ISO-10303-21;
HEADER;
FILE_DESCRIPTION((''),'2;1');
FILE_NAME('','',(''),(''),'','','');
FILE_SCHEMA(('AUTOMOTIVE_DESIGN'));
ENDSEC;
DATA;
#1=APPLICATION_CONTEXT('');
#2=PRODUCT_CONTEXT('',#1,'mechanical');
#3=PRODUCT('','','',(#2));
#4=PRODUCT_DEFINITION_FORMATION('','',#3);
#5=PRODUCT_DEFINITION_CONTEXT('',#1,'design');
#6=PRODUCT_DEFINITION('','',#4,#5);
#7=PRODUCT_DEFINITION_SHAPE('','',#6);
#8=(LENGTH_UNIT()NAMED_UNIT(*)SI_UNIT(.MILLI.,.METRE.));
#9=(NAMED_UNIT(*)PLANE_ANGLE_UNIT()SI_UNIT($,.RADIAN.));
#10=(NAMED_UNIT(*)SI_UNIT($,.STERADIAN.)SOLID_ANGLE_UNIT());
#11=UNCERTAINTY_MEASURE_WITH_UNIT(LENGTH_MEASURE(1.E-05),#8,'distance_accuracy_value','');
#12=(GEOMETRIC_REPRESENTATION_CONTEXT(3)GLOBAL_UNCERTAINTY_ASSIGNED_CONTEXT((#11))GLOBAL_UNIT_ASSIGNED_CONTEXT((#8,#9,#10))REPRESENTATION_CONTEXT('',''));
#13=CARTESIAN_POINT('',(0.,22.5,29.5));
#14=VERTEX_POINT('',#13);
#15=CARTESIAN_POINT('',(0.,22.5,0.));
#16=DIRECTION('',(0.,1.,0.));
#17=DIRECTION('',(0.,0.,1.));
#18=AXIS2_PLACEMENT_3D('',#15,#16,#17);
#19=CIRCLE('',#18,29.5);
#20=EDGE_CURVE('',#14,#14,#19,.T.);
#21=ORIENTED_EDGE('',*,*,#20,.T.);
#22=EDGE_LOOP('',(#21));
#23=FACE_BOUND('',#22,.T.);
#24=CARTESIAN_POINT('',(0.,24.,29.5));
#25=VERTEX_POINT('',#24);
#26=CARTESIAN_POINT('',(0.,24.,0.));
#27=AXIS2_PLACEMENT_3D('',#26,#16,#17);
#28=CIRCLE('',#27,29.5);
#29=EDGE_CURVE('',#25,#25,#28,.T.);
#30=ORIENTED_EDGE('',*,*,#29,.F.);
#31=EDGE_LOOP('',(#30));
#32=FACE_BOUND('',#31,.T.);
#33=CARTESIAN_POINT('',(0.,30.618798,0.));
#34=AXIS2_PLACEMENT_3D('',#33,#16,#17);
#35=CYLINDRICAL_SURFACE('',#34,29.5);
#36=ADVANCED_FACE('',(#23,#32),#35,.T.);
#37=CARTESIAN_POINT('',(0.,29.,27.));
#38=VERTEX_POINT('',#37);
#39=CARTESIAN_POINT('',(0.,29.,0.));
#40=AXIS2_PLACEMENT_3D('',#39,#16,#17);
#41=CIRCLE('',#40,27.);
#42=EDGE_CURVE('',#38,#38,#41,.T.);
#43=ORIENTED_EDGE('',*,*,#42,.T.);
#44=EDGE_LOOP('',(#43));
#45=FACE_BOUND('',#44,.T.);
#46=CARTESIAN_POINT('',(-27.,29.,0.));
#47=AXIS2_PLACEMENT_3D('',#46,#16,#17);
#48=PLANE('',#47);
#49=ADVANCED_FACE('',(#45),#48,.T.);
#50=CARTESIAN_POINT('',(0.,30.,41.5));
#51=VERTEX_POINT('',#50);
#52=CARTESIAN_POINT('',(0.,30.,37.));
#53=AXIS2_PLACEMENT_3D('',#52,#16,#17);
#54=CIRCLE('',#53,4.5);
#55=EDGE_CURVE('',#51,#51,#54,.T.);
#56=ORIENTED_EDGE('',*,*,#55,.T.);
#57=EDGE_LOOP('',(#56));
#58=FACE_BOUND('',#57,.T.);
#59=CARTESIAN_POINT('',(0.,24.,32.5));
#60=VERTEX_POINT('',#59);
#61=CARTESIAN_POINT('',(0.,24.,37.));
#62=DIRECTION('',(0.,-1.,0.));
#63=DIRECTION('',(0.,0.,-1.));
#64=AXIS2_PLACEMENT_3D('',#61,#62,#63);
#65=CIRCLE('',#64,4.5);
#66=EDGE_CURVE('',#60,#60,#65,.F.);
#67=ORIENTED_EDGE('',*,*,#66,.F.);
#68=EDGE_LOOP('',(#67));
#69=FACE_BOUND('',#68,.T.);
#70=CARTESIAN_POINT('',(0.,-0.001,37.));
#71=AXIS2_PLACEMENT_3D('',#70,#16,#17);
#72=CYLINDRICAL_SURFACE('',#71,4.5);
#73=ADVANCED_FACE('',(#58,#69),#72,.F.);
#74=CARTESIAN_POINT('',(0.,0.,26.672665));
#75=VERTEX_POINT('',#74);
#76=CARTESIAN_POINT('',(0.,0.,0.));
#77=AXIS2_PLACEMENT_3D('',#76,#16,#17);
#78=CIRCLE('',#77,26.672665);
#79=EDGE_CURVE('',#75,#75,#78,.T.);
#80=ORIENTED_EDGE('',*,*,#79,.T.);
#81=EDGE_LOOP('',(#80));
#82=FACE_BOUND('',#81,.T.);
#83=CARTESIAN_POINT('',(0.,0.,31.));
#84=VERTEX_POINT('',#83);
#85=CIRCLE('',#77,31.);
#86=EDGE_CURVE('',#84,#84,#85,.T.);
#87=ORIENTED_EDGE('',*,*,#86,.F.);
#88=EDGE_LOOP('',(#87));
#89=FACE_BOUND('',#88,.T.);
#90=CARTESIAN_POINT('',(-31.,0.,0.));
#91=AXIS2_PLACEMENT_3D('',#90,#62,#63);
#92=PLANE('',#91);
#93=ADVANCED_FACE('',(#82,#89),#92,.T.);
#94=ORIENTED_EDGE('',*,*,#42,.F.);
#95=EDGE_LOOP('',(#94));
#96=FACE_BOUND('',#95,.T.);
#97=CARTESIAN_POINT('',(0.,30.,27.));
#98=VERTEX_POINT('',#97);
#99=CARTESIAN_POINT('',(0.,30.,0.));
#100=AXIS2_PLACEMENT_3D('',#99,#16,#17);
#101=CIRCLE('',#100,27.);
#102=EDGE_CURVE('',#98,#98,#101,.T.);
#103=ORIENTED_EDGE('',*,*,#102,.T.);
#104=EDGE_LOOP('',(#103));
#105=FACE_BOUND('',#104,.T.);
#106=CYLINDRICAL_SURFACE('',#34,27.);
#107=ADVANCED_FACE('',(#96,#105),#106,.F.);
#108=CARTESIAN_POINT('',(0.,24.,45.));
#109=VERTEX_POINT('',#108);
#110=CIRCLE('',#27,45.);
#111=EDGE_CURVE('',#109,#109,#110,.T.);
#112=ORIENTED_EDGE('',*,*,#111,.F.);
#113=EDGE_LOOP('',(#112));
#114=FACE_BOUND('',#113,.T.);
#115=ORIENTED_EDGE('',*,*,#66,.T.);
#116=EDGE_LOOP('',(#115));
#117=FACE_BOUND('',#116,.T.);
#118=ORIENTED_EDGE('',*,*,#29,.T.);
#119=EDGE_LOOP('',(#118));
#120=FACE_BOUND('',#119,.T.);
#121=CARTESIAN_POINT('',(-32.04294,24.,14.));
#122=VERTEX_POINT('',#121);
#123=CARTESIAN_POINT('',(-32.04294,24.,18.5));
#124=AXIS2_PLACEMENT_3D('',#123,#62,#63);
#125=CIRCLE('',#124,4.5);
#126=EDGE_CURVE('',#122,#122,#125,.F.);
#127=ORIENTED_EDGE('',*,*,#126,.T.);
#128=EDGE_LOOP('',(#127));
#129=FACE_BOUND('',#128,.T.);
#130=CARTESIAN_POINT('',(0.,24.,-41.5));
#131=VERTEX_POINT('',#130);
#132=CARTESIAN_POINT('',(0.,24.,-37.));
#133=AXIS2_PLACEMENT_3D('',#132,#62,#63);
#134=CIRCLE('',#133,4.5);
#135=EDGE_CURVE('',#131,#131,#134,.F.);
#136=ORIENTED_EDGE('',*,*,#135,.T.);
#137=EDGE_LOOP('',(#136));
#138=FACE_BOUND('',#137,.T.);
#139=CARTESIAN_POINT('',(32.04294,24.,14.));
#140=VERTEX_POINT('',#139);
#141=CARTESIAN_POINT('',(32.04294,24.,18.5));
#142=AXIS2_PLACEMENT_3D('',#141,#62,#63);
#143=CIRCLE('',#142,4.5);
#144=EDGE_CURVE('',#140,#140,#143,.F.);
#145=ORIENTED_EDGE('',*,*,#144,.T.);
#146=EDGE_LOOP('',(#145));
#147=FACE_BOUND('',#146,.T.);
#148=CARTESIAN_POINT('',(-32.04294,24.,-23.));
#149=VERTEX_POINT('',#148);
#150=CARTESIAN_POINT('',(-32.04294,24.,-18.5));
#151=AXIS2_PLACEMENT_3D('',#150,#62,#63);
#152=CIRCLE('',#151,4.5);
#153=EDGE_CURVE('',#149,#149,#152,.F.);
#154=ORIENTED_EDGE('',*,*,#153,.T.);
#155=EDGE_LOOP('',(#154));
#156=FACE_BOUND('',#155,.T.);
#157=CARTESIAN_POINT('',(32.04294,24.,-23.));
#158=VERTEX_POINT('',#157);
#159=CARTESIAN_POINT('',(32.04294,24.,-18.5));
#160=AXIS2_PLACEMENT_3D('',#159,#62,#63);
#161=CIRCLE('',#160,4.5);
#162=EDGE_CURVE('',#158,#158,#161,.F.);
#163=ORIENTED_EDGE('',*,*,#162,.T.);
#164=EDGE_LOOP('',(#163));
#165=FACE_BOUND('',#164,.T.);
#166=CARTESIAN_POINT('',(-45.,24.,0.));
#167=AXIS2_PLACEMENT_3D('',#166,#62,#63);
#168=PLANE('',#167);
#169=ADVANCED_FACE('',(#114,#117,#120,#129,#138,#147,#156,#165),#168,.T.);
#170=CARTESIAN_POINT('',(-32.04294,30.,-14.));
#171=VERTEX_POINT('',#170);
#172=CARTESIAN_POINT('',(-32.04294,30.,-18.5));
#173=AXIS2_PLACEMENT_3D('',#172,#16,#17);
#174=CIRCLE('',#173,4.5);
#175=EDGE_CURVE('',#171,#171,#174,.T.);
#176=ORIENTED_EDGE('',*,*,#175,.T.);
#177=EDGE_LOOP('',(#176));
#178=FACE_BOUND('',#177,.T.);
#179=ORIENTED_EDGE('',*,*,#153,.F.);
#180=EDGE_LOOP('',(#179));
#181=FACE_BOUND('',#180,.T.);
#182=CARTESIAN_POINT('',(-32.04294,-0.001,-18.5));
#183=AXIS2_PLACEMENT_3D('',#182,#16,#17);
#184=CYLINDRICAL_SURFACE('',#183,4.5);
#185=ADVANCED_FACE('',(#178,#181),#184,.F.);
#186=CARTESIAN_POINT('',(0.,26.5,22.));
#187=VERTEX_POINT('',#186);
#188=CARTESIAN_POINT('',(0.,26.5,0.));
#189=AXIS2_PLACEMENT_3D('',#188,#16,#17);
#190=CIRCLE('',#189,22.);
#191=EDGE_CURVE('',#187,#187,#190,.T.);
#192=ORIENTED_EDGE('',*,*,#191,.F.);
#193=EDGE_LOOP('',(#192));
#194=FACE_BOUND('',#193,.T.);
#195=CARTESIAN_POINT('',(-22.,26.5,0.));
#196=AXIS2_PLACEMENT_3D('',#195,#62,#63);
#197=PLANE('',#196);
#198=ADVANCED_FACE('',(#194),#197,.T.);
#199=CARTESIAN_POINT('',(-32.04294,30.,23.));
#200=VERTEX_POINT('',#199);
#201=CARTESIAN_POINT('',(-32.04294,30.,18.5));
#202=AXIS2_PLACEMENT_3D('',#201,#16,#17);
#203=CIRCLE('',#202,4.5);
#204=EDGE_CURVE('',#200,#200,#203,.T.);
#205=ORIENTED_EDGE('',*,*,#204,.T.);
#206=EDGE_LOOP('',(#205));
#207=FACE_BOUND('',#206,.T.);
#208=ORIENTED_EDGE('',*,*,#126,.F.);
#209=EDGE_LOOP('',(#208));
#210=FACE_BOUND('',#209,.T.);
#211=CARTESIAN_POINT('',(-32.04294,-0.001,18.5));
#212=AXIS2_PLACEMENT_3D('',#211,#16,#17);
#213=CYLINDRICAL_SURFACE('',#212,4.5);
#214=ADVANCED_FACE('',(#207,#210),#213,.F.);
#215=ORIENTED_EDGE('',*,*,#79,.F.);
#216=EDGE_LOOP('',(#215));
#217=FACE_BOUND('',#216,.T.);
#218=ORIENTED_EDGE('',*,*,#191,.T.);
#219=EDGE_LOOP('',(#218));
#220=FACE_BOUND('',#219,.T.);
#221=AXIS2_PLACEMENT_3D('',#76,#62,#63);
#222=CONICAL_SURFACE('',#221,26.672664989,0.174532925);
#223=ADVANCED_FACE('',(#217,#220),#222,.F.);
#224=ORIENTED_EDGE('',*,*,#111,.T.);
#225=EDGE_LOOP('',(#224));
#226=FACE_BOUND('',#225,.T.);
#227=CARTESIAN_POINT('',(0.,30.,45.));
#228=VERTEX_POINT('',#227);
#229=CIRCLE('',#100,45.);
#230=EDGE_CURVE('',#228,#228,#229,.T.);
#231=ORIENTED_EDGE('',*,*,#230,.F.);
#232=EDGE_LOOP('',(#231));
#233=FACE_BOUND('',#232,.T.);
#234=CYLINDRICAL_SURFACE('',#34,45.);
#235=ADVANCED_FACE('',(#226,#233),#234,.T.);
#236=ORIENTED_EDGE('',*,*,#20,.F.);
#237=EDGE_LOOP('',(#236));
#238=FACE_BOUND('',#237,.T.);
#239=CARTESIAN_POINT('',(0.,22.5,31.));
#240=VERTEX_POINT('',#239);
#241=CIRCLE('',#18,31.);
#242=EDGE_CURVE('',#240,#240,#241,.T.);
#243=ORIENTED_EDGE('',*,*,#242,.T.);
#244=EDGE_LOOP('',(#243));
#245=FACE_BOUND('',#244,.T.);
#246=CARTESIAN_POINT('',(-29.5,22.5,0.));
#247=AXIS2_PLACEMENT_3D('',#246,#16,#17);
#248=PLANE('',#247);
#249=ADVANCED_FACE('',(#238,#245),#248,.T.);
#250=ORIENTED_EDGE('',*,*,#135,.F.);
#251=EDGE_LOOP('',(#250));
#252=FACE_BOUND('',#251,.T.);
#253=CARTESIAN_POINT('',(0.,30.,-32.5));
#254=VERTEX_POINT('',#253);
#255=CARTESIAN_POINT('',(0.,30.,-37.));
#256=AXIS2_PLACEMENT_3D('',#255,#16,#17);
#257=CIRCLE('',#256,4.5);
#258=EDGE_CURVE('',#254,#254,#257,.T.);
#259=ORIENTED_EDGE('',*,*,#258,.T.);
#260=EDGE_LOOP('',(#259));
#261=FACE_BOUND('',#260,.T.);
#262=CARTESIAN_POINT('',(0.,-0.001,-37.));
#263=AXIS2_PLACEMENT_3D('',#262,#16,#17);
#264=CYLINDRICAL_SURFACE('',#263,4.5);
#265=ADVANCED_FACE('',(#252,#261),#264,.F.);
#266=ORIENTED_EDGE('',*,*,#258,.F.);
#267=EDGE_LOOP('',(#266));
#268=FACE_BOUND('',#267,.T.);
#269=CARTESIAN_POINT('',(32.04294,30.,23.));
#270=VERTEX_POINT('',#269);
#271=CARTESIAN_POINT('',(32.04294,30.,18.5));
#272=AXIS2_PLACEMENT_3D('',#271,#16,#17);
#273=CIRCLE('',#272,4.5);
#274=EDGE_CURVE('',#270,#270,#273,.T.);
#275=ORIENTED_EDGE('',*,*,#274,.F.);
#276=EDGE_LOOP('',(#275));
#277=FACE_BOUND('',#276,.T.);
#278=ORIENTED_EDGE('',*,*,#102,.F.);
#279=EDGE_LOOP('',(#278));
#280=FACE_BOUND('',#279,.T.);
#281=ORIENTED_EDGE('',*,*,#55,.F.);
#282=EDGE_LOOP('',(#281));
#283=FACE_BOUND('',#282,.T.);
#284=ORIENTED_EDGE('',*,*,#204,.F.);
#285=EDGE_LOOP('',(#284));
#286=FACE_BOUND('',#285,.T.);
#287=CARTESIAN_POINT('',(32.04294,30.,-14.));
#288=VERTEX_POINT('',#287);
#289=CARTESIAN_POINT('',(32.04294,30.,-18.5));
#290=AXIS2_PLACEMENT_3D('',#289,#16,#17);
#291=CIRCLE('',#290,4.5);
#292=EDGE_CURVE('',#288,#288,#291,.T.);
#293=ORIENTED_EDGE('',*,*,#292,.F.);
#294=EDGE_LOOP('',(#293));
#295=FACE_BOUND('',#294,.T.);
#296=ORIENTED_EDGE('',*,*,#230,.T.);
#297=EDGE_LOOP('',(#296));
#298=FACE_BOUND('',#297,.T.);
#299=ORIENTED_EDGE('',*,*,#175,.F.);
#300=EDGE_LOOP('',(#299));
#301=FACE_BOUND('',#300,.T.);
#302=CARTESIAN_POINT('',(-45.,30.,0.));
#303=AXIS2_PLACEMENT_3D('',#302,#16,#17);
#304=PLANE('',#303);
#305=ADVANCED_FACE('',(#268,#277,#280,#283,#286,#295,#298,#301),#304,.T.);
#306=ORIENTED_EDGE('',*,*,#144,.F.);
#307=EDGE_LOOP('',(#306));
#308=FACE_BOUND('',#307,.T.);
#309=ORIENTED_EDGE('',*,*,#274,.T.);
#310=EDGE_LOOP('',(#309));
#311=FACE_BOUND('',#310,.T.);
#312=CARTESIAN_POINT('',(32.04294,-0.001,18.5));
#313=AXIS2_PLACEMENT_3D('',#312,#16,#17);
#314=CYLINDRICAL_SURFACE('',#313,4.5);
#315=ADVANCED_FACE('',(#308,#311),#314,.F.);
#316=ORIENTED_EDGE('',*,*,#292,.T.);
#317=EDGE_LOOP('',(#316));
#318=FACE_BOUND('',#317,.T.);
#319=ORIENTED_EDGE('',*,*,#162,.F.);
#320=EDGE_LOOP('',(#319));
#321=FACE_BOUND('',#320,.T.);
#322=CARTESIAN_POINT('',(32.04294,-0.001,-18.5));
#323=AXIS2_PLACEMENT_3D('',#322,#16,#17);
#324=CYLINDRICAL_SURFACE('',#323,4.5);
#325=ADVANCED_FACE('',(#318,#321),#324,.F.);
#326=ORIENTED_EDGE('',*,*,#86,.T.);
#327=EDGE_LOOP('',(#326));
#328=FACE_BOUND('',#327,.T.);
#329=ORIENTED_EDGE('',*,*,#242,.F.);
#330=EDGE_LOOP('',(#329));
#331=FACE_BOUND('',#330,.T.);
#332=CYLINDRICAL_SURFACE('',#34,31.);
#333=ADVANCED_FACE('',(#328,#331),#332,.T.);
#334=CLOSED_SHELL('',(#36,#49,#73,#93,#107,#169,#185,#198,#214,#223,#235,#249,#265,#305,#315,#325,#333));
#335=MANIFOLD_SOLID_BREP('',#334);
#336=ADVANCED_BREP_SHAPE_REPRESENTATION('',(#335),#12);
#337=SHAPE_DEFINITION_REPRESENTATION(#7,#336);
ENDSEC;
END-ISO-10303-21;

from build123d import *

# Parameters (mm, degrees)
CUT_EXTRUDE1_REACH = 72.356
SKETCH2_R          = 4.5


with BuildPart() as part:
    # Sketch1 → Revolve1 (revolve)
    with BuildSketch(Plane.XY, mode=Mode.PRIVATE) as revolve1_sk:
        Polygon((-45, 30), (-45, 24), (-29.5, 24), (-29.5, 22.5), (-31, 22.5), (-31, 0), (-26.672664989, 0), (-22, 26.5), (0, 26.5), (0, 29), (-27, 29), (-27, 30), align=None)
    revolve(revolve1_sk.sketch.rotate(Axis((0, 30.618797564, 0), (0, -1, 0)), 270), axis=Axis((0, 30.618797564, 0), (0, -1, 0)))

    # Sketch2 → Cut-Extrude1 (cut, up to next)
    with BuildSketch(Plane(origin=(0, 30, 0), x_dir=(1, 0, 0), z_dir=(0, 1, 0)), mode=Mode.PRIVATE) as cut_extrude1_sk1:
        with Locations(Location((0, 37, 0), (0, 0, 270))):
            Circle(SKETCH2_R)
    cut_extrude1_tool1 = extrude(cut_extrude1_sk1.sketch, amount=-CUT_EXTRUDE1_REACH, mode=Mode.PRIVATE) & part.part
    # Sketch2 → Cut-Extrude1 (cut, up to next)
    with BuildSketch(Plane(origin=(0, 30, 0), x_dir=(1, 0, 0), z_dir=(0, 1, 0)), mode=Mode.PRIVATE) as cut_extrude1_sk2:
        with Locations(Location((32.04293994, 18.5, 0), (0, 0, 270))):
            Circle(SKETCH2_R)
    cut_extrude1_tool2 = extrude(cut_extrude1_sk2.sketch, amount=-CUT_EXTRUDE1_REACH, mode=Mode.PRIVATE) & part.part
    # Sketch2 → Cut-Extrude1 (cut, up to next)
    with BuildSketch(Plane(origin=(0, 30, 0), x_dir=(1, 0, 0), z_dir=(0, 1, 0)), mode=Mode.PRIVATE) as cut_extrude1_sk3:
        with Locations(Location((32.04293994, -18.5, 0), (0, 0, 270))):
            Circle(SKETCH2_R)
    cut_extrude1_tool3 = extrude(cut_extrude1_sk3.sketch, amount=-CUT_EXTRUDE1_REACH, mode=Mode.PRIVATE) & part.part
    # Sketch2 → Cut-Extrude1 (cut, up to next)
    with BuildSketch(Plane(origin=(0, 30, 0), x_dir=(1, 0, 0), z_dir=(0, 1, 0)), mode=Mode.PRIVATE) as cut_extrude1_sk4:
        with Locations(Location((0, -37, 0), (0, 0, 270))):
            Circle(SKETCH2_R)
    cut_extrude1_tool4 = extrude(cut_extrude1_sk4.sketch, amount=-CUT_EXTRUDE1_REACH, mode=Mode.PRIVATE) & part.part
    # Sketch2 → Cut-Extrude1 (cut, up to next)
    with BuildSketch(Plane(origin=(0, 30, 0), x_dir=(1, 0, 0), z_dir=(0, 1, 0)), mode=Mode.PRIVATE) as cut_extrude1_sk5:
        with Locations(Location((-32.04293994, -18.5, 0), (0, 0, 270))):
            Circle(SKETCH2_R)
    cut_extrude1_tool5 = extrude(cut_extrude1_sk5.sketch, amount=-CUT_EXTRUDE1_REACH, mode=Mode.PRIVATE) & part.part
    # Sketch2 → Cut-Extrude1 (cut, up to next)
    with BuildSketch(Plane(origin=(0, 30, 0), x_dir=(1, 0, 0), z_dir=(0, 1, 0)), mode=Mode.PRIVATE) as cut_extrude1_sk6:
        with Locations(Location((-32.04293994, 18.5, 0), (0, 0, 270))):
            Circle(SKETCH2_R)
    cut_extrude1_tool6 = extrude(cut_extrude1_sk6.sketch, amount=-CUT_EXTRUDE1_REACH, mode=Mode.PRIVATE) & part.part
    add(cut_extrude1_tool1.solids().sort_by_distance((0, 30, -37))[0], mode=Mode.SUBTRACT)
    add(cut_extrude1_tool2.solids().sort_by_distance((32.04294, 30, -18.5))[0], mode=Mode.SUBTRACT)
    add(cut_extrude1_tool3.solids().sort_by_distance((32.04294, 30, 18.5))[0], mode=Mode.SUBTRACT)
    add(cut_extrude1_tool4.solids().sort_by_distance((0, 30, 37))[0], mode=Mode.SUBTRACT)
    add(cut_extrude1_tool5.solids().sort_by_distance((-32.04294, 30, 18.5))[0], mode=Mode.SUBTRACT)
    add(cut_extrude1_tool6.solids().sort_by_distance((-32.04294, 30, -18.5))[0], mode=Mode.SUBTRACT)


solid = part.part
